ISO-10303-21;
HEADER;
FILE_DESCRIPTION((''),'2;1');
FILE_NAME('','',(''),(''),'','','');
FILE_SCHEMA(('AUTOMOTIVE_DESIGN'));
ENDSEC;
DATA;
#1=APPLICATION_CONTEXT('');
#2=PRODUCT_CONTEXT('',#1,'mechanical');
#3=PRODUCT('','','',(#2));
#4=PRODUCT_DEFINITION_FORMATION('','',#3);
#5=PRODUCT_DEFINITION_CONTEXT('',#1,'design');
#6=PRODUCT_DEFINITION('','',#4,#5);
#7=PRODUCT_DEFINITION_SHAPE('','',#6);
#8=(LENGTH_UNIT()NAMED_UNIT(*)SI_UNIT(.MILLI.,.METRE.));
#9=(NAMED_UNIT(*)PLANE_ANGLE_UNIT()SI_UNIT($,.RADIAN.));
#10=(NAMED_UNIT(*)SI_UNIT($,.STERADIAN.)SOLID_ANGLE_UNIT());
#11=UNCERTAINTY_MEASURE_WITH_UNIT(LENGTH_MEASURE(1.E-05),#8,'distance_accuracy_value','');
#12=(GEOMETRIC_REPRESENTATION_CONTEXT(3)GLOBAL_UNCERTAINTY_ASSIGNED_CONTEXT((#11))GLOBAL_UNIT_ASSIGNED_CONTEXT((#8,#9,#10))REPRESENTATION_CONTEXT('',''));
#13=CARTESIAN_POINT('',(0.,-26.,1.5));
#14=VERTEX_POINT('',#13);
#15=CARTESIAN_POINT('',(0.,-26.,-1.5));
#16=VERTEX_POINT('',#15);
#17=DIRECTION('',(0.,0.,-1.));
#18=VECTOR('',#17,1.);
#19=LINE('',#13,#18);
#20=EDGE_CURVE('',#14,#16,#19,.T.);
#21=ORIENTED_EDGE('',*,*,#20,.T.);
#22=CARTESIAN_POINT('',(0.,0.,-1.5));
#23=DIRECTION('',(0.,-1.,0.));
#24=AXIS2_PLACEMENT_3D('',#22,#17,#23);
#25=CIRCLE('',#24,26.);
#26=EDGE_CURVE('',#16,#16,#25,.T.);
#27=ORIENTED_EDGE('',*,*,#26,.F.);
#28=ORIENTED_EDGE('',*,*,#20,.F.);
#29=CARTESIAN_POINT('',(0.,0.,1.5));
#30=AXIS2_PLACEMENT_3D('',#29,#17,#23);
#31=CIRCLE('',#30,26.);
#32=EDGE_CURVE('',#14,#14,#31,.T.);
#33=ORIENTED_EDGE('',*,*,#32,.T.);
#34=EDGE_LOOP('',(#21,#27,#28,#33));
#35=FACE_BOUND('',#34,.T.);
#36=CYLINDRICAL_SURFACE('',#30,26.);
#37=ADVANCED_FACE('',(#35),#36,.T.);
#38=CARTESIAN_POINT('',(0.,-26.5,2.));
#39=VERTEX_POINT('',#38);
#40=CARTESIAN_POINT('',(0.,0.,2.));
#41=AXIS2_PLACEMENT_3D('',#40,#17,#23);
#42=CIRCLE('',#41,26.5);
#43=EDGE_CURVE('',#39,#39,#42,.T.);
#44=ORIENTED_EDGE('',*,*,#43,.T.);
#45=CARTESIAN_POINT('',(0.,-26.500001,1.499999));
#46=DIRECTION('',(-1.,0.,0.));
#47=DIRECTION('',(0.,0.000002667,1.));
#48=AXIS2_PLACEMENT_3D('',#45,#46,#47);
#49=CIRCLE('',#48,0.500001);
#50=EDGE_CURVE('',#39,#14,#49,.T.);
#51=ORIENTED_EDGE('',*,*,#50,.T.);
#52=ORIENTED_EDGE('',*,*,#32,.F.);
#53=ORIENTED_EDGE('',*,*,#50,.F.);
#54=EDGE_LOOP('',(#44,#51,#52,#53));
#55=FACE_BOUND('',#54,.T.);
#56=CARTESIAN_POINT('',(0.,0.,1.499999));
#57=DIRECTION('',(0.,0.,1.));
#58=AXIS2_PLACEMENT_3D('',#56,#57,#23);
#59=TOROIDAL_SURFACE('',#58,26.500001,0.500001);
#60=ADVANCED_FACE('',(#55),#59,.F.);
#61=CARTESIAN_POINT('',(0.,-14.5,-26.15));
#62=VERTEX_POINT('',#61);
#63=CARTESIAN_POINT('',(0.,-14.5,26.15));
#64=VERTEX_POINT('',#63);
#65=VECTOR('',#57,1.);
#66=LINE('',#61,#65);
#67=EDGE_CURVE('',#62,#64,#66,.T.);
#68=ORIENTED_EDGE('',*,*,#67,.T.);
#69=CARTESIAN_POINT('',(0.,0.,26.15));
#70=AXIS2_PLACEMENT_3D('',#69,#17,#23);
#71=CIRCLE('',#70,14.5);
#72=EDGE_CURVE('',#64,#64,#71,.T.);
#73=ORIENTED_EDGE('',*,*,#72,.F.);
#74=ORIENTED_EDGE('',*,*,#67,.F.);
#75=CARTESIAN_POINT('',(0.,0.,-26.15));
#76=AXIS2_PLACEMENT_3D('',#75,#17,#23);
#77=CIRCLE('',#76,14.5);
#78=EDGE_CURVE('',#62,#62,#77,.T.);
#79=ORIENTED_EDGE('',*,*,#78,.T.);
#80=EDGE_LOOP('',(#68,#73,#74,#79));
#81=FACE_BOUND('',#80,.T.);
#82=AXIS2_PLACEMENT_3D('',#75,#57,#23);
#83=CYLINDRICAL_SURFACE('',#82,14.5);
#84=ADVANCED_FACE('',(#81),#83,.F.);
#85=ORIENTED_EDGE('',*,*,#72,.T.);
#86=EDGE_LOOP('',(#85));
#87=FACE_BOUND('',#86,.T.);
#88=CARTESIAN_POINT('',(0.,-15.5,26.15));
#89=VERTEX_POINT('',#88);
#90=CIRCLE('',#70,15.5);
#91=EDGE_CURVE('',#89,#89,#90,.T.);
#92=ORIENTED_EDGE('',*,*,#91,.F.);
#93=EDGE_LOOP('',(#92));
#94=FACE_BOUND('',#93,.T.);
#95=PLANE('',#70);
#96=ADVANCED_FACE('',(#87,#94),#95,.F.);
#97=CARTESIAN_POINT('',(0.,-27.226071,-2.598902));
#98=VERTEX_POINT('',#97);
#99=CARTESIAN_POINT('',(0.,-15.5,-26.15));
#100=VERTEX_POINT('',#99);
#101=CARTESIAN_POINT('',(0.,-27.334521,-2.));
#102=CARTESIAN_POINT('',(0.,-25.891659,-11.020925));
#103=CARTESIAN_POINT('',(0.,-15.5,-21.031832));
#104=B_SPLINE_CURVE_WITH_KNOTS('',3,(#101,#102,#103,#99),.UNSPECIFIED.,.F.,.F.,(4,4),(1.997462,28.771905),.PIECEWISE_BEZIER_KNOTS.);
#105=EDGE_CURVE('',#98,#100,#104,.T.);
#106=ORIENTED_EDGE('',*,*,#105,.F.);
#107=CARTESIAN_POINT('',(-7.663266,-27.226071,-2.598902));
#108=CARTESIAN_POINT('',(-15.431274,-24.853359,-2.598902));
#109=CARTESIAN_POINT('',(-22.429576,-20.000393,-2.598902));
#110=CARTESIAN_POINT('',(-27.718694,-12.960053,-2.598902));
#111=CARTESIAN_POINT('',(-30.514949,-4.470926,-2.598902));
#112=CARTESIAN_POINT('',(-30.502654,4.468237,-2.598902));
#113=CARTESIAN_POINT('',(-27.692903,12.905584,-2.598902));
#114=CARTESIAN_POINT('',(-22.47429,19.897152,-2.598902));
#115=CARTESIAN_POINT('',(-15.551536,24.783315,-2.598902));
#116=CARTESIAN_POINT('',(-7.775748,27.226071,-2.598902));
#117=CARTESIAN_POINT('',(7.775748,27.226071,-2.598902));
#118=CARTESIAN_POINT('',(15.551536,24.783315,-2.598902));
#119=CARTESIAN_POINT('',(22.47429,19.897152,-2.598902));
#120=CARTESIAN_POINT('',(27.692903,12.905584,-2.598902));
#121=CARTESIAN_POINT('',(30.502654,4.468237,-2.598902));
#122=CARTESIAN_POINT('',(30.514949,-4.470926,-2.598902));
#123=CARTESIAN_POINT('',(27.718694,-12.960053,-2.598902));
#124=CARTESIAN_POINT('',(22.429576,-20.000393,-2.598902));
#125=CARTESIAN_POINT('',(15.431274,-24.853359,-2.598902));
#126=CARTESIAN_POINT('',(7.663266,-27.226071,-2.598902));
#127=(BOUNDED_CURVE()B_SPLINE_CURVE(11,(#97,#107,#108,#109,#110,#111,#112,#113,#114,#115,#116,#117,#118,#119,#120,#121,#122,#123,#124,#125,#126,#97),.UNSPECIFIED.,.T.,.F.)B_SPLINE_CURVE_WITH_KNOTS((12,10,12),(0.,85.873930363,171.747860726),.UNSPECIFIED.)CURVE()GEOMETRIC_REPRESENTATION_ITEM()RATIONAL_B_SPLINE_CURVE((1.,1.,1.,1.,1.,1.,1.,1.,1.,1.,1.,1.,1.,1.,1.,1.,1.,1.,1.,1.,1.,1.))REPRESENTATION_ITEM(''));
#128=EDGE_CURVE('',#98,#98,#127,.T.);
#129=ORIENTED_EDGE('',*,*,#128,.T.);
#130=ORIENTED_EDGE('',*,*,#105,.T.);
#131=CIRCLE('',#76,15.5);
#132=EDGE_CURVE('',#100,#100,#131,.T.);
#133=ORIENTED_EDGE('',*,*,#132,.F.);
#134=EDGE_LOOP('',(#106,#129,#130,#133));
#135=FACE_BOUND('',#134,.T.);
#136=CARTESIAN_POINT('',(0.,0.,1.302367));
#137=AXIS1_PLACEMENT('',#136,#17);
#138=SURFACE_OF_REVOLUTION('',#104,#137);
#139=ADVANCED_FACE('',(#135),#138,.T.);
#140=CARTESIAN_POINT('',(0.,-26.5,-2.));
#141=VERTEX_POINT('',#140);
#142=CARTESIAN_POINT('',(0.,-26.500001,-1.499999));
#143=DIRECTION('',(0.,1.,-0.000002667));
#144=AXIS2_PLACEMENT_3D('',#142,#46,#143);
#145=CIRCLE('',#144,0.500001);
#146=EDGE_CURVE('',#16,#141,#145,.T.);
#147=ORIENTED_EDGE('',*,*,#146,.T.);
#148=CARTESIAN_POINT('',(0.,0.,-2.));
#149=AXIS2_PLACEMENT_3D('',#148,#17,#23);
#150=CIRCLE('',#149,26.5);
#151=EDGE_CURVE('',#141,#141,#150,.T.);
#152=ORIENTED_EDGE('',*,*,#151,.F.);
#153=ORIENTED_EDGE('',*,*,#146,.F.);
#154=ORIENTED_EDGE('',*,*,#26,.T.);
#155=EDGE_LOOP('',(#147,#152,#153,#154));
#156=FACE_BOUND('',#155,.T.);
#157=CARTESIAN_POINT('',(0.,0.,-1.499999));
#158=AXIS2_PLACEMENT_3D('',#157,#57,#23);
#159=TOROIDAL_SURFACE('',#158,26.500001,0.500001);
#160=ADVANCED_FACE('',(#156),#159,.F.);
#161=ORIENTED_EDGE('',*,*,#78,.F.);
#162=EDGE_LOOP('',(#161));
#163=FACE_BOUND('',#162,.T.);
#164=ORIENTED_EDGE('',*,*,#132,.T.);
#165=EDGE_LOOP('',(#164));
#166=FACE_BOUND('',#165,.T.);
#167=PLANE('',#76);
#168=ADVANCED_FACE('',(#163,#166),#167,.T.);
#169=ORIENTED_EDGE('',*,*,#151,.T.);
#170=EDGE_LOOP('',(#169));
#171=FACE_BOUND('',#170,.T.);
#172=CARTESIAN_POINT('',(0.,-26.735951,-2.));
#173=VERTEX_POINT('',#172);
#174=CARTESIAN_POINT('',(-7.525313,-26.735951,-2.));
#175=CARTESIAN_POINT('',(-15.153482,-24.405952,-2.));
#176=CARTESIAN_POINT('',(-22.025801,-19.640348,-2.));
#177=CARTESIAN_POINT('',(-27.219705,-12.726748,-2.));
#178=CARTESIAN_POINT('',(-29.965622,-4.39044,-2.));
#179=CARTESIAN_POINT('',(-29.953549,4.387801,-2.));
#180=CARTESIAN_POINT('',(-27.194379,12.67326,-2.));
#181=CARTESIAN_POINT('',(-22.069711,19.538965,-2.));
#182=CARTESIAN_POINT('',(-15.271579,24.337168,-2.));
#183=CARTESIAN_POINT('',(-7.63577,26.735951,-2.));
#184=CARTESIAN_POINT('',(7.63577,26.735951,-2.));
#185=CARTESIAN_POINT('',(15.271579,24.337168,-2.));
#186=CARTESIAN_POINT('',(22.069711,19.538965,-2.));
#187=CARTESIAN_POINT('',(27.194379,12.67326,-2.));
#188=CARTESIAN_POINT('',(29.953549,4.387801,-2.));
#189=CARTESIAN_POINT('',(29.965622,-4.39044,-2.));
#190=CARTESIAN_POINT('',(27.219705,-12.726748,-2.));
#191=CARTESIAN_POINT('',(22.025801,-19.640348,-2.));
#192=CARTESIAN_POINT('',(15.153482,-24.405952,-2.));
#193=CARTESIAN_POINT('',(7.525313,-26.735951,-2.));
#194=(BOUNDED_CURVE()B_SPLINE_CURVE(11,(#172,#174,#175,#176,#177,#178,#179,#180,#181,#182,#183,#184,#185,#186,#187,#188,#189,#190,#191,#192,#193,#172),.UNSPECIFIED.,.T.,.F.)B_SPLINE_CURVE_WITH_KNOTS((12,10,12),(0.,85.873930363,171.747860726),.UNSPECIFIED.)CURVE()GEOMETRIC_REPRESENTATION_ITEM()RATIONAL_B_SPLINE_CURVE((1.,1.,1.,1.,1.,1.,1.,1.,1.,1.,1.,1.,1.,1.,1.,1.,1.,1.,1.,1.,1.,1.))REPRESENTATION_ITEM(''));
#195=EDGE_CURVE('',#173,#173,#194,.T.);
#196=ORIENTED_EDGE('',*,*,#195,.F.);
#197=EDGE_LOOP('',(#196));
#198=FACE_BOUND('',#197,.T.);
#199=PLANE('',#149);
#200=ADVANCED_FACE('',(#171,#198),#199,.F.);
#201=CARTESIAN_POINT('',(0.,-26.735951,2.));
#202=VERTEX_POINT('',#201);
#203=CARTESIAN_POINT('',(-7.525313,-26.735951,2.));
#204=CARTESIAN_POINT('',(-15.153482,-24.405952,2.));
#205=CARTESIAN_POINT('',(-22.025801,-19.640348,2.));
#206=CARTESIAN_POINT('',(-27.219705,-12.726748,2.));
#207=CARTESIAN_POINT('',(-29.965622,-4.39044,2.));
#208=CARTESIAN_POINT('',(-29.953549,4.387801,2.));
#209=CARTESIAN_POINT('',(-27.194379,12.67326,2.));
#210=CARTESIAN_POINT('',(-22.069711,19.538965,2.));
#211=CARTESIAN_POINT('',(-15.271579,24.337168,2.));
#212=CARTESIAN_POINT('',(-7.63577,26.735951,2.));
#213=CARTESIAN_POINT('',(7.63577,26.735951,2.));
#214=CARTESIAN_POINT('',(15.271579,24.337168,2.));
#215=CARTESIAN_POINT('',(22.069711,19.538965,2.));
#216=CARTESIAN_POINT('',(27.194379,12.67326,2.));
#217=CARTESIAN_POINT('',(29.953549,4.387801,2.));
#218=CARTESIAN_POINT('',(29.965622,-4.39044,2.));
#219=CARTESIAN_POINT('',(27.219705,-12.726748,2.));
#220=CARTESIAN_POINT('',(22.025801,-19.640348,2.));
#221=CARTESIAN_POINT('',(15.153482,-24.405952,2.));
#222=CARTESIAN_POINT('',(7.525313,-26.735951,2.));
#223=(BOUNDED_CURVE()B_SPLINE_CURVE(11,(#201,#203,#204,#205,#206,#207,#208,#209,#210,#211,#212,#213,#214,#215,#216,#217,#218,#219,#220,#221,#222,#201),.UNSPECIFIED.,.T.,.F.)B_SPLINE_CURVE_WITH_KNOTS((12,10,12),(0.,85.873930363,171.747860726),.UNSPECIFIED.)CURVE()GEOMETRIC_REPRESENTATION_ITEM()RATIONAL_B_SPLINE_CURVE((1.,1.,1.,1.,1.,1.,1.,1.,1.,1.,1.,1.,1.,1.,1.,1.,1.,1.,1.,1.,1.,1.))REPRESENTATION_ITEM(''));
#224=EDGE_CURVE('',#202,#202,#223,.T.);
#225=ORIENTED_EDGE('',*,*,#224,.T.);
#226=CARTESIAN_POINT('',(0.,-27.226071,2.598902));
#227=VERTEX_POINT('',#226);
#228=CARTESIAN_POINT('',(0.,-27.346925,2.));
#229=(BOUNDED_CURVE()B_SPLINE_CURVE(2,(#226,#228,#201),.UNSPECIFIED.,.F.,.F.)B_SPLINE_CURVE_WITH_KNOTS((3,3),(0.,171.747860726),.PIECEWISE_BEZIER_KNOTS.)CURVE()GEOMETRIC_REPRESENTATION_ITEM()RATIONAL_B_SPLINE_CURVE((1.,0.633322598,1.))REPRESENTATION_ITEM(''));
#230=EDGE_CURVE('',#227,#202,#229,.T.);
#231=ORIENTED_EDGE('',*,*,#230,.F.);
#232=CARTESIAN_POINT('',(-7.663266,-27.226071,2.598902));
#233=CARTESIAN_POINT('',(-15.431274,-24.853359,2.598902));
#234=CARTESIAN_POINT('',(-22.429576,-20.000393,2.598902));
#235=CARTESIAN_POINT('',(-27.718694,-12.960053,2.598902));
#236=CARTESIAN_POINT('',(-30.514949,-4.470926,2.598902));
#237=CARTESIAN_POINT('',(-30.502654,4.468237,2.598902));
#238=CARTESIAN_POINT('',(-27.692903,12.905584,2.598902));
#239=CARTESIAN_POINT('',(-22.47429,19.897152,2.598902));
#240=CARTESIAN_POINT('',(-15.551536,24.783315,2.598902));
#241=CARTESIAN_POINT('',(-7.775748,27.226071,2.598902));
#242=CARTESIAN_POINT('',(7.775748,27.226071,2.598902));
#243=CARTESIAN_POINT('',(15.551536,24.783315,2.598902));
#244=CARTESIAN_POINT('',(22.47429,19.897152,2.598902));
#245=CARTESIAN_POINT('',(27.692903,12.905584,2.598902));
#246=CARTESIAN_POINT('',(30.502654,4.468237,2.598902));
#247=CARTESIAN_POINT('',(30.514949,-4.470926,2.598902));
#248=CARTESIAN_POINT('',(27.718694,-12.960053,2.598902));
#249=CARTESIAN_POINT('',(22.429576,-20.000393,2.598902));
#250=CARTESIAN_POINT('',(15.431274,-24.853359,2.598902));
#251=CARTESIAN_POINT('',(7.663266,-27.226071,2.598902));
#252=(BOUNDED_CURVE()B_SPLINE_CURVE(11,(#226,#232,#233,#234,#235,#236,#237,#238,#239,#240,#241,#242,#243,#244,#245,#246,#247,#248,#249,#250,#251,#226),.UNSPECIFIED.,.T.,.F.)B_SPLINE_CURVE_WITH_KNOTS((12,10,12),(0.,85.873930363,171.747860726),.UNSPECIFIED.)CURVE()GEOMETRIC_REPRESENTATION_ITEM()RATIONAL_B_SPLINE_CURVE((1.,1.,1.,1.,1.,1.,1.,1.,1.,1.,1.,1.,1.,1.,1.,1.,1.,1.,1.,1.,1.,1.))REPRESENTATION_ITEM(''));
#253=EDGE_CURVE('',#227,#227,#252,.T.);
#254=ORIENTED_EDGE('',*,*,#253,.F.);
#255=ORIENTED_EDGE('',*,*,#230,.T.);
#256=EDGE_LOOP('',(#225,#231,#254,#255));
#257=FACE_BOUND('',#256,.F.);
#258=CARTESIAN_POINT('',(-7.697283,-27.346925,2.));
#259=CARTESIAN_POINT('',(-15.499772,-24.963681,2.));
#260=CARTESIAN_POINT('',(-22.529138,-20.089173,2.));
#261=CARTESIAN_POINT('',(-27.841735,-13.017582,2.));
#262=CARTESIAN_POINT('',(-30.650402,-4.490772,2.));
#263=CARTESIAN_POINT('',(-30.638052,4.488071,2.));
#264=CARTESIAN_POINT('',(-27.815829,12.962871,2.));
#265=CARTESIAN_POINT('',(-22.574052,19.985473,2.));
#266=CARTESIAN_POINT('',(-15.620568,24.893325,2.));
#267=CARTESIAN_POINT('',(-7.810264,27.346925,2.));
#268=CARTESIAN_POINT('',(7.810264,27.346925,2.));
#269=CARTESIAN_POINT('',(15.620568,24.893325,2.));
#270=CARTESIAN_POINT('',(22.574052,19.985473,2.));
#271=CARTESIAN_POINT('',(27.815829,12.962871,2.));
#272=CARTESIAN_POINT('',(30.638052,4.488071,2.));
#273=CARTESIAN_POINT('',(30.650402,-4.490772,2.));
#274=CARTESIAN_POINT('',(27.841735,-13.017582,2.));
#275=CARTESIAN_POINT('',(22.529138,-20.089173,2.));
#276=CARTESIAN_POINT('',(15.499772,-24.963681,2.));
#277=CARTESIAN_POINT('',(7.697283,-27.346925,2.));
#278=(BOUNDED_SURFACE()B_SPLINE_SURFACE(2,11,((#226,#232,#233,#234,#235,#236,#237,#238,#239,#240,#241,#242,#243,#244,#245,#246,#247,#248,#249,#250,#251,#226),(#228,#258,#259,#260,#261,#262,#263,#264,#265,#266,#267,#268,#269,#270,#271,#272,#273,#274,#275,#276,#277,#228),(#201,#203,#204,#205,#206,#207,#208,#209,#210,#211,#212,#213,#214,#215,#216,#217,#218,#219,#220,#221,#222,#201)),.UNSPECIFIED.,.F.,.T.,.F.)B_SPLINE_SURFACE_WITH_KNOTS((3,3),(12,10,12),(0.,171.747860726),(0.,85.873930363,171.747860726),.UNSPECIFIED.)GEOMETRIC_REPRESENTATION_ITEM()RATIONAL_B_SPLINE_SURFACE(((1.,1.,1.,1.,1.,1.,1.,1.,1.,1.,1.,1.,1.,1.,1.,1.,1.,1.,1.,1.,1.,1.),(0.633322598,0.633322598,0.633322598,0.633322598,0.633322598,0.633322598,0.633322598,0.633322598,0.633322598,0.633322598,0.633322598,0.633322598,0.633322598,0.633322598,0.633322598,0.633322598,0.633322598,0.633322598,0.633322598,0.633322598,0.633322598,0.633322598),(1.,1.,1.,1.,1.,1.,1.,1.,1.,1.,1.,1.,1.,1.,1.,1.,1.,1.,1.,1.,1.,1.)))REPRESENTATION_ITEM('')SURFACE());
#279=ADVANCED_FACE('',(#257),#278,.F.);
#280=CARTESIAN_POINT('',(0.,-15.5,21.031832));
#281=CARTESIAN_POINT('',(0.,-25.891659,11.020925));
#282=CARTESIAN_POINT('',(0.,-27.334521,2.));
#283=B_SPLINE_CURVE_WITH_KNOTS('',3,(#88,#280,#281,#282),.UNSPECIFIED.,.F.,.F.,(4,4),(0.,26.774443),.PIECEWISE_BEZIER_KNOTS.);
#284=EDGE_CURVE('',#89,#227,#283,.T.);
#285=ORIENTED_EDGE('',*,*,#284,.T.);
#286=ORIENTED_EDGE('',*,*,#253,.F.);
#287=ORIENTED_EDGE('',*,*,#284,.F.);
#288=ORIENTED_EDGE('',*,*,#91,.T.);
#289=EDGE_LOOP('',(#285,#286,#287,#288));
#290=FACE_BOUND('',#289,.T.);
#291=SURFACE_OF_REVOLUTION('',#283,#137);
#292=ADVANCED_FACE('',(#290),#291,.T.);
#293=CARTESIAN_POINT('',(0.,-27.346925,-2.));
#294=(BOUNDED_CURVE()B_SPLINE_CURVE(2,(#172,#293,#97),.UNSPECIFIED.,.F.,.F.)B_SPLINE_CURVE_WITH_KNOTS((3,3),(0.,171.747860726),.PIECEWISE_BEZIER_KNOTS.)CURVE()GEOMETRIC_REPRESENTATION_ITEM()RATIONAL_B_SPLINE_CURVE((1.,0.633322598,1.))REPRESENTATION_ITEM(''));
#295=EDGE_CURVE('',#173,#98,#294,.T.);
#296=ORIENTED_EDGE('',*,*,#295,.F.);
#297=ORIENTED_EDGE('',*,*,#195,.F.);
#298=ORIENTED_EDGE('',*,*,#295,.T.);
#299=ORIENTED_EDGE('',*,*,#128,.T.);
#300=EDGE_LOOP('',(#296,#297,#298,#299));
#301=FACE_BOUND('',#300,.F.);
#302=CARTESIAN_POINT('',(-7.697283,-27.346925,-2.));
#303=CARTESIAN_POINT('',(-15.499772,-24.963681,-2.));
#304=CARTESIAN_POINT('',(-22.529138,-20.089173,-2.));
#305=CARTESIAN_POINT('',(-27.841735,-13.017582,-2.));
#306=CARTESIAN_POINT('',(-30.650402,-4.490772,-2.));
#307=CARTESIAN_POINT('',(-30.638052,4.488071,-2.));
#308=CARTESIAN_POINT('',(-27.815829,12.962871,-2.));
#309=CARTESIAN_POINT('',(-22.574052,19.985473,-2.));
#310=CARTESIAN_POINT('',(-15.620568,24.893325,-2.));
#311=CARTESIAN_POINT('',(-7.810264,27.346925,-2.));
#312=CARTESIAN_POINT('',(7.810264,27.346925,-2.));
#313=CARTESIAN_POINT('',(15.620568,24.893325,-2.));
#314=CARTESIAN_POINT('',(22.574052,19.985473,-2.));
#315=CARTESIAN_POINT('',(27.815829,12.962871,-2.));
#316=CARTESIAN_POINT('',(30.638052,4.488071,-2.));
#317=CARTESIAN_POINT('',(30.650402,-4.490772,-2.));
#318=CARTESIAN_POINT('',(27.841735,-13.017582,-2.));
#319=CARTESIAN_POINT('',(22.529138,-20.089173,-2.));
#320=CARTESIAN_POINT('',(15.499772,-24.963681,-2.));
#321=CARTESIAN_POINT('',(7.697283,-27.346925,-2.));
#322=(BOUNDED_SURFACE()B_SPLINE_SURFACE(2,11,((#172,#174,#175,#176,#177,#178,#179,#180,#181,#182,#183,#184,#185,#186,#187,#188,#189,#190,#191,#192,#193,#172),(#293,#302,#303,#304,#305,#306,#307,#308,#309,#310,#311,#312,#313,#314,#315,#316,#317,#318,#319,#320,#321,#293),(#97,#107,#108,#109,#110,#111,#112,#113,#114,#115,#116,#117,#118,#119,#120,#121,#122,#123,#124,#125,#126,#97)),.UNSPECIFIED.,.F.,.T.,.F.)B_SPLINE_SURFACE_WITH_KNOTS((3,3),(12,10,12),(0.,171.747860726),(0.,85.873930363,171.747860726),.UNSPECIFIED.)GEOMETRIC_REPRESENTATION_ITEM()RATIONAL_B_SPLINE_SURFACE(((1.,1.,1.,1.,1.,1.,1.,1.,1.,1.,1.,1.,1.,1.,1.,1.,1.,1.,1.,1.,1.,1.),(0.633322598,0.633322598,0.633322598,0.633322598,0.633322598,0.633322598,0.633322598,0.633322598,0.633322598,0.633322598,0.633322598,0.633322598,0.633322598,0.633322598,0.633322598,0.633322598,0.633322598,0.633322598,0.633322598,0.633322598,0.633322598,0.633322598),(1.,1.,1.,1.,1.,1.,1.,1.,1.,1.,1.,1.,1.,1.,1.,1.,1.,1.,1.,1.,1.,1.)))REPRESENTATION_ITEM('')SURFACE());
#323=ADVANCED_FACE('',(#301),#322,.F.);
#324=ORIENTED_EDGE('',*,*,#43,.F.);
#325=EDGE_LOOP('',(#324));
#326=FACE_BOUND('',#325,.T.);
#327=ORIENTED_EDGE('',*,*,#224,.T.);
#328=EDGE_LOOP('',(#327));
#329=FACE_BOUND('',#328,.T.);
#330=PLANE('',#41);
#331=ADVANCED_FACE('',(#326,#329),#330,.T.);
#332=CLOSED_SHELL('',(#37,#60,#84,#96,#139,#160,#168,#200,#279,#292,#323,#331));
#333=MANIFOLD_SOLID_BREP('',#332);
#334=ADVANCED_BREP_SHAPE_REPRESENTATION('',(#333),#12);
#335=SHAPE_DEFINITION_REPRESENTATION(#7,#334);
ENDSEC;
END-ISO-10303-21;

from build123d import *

# Parameters (mm, degrees)
F2_R = 0.5


with BuildPart() as f1:
    # F0 (on Right) → F1 (revolve)
    with BuildSketch(Plane.YZ):
        Polygon((-14.5, -26.15), (-14.5, 26.15), (-15.5, 26.15), (-15.5, 0), (-15.5, -26.15), align=None)
        with BuildLine():
            Line((-15.5, 0), (-15.5, 26.15))
            add(Edge.make_bspline(
                [(-15.5, 26.15), (-15.5, 21.031832), (-25.891659, 11.020925), (-27.334521, 2)],
                knots=[0, 0, 0, 0, 26.774443, 26.774443, 26.774443, 26.774443], degree=3))
            Line((-27.334521, 2), (-26.5, 2))
            ThreePointArc((-26.5, 2), (-26.146447, 1.853553), (-26, 1.5))
            Line((-26, 1.5), (-26, 0))
            Line((-26, 0), (-15.5, 0))
        make_face()
        with BuildLine():
            Line((-15.5, -26.15), (-15.5, 0))
            Line((-15.5, 0), (-26, 0))
            Line((-26, 0), (-26, -1.5))
            ThreePointArc((-26, -1.5), (-26.146447, -1.853553), (-26.5, -2))
            Line((-26.5, -2), (-27.334521, -2))
            add(Edge.make_bspline(
                [(-27.334521, -2), (-25.891659, -11.020925), (-15.5, -21.031832), (-15.5, -26.15)],
                knots=[1.997462, 1.997462, 1.997462, 1.997462, 28.771905, 28.771905, 28.771905, 28.771905], degree=3))
        make_face()
    revolve(axis=Axis((0, 0, 1.302367), (0, 0, -1)))

    # F2
    f2_edges = [f1.edges().sort_by_distance(p)[0] for p in [
        (0, 27.334521, -2),
        (0, 27.334521, 2),
    ]]
    fillet(f2_edges, radius=F2_R)


solid = f1.part
